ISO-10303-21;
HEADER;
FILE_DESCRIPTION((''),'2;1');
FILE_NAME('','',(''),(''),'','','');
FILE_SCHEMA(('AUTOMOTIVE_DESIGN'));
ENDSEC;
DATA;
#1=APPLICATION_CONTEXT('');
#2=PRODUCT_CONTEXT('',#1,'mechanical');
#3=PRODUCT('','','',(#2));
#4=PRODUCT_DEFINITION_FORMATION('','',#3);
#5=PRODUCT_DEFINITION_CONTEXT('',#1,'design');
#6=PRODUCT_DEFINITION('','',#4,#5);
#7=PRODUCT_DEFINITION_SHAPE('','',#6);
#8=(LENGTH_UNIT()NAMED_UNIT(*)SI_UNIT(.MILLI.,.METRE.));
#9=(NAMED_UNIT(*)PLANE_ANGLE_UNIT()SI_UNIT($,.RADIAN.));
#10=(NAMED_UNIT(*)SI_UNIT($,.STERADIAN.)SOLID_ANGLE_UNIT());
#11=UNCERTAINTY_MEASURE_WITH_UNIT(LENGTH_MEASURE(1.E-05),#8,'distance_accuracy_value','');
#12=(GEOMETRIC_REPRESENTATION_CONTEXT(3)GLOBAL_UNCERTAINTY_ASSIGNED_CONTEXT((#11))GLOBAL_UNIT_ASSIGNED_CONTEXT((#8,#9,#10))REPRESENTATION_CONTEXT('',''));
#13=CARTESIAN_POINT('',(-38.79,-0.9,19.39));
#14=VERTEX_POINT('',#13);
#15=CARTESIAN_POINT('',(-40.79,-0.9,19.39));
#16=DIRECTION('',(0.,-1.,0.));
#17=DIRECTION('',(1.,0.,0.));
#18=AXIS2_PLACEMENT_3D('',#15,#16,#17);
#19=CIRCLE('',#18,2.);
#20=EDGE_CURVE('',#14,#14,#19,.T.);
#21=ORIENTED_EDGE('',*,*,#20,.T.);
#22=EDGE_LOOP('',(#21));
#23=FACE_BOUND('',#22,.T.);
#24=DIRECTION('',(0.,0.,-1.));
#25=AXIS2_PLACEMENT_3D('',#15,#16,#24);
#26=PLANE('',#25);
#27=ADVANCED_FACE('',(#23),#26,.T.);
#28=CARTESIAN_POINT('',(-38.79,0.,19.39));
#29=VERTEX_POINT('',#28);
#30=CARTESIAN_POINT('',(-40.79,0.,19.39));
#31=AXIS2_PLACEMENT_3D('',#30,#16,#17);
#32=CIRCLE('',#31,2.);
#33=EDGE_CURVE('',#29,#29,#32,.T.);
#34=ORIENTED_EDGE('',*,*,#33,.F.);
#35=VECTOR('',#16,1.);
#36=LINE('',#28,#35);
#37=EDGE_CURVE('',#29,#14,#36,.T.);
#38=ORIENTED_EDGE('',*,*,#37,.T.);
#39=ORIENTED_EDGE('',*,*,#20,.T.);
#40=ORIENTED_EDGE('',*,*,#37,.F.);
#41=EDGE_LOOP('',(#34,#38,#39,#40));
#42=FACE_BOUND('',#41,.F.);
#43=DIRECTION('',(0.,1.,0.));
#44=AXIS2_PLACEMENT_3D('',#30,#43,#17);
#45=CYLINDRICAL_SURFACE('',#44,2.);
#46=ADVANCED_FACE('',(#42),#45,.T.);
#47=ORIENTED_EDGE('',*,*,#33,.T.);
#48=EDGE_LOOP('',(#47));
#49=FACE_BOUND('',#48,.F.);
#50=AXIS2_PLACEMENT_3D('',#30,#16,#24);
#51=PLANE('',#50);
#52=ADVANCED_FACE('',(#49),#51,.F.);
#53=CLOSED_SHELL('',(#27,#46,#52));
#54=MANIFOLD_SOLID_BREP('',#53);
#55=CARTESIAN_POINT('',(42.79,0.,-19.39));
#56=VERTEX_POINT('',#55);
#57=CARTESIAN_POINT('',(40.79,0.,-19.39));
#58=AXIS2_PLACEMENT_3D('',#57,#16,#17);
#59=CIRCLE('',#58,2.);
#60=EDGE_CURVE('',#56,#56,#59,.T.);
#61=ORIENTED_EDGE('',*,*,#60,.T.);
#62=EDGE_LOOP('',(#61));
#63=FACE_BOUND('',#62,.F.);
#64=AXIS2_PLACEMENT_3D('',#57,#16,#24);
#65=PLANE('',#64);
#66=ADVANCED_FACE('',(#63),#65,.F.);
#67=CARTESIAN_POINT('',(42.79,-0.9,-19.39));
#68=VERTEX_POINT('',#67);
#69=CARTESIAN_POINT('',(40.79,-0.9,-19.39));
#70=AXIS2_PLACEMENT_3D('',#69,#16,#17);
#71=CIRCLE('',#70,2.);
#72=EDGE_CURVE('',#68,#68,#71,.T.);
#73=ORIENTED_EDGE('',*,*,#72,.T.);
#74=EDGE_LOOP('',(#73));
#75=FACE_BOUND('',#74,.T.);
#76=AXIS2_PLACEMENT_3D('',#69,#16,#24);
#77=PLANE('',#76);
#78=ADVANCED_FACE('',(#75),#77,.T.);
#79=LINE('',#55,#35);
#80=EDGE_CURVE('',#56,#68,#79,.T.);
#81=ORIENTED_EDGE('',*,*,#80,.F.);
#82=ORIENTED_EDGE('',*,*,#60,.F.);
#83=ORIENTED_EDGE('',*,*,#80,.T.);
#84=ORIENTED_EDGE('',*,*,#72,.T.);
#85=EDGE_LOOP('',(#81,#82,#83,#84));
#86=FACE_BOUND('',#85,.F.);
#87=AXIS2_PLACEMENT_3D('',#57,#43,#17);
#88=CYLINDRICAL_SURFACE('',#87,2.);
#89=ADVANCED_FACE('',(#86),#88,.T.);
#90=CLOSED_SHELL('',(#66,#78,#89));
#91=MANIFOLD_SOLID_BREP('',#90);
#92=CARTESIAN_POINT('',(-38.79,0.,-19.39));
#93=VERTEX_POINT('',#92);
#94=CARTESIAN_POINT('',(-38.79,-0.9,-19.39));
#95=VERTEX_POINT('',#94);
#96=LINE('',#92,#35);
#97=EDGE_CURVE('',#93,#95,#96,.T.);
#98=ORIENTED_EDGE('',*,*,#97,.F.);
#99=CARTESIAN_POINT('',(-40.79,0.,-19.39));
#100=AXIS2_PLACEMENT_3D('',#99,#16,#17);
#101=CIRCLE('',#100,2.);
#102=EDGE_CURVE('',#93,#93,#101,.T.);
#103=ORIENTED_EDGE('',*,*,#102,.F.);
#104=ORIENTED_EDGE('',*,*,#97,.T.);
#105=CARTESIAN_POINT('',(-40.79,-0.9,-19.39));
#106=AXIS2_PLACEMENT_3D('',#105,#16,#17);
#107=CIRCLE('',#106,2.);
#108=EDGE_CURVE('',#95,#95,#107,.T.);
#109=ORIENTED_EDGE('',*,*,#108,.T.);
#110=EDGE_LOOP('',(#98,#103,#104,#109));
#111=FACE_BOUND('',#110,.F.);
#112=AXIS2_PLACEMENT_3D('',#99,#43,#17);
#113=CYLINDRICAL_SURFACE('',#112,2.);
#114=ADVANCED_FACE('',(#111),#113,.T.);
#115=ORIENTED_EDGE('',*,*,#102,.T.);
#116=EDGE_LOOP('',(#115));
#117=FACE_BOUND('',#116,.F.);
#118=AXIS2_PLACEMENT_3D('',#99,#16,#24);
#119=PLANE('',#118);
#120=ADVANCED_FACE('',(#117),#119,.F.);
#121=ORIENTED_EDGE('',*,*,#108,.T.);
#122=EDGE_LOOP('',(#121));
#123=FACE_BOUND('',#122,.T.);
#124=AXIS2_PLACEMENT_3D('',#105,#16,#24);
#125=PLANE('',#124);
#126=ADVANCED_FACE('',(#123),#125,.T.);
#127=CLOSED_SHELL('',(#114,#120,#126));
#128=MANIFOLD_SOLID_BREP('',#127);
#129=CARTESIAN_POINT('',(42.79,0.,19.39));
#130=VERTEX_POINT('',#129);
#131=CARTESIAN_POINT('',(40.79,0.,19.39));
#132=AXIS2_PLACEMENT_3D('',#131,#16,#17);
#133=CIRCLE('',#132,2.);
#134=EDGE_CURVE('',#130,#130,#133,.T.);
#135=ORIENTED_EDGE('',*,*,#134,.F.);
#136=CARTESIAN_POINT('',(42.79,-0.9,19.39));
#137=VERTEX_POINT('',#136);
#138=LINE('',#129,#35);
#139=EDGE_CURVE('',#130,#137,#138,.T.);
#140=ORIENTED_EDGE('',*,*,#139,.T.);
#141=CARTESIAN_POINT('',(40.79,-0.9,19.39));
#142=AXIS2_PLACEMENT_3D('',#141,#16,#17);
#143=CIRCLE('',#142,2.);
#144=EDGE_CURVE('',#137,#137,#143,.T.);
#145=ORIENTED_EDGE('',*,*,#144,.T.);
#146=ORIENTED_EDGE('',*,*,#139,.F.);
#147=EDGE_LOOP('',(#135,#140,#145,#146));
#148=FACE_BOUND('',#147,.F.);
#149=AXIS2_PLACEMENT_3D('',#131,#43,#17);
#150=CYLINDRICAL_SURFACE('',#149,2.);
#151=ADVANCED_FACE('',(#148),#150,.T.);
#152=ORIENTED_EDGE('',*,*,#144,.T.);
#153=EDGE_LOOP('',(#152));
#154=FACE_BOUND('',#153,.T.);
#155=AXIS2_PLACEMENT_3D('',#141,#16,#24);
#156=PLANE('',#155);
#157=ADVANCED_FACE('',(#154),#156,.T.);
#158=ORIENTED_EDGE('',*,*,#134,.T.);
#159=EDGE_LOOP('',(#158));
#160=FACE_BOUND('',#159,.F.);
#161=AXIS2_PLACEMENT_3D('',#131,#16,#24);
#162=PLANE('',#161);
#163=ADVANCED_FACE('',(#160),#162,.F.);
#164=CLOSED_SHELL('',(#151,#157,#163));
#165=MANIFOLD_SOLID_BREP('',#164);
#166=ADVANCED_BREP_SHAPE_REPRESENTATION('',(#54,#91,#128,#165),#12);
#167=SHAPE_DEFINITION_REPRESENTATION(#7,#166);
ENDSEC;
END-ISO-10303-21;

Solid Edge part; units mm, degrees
sketch "Sketch1" plane through (0, 0, 0) normal (0, -1, 0) x (1, 0, 0)
  circle A0 centre (-40.79, -19.39) radius 2
  circle A1 centre (40.79, -19.39) radius 2
  circle A2 centre (40.79, 19.39) radius 2
  circle A3 centre (-40.79, 19.39) radius 2
  dimension "D1" = 40.79
  dimension "D2" = 40.79
  dimension "D3" = 19.39
  dimension "D4" = 19.39
extrude "Protrusion1" add sketch "Sketch1" along normal blind 0.9
